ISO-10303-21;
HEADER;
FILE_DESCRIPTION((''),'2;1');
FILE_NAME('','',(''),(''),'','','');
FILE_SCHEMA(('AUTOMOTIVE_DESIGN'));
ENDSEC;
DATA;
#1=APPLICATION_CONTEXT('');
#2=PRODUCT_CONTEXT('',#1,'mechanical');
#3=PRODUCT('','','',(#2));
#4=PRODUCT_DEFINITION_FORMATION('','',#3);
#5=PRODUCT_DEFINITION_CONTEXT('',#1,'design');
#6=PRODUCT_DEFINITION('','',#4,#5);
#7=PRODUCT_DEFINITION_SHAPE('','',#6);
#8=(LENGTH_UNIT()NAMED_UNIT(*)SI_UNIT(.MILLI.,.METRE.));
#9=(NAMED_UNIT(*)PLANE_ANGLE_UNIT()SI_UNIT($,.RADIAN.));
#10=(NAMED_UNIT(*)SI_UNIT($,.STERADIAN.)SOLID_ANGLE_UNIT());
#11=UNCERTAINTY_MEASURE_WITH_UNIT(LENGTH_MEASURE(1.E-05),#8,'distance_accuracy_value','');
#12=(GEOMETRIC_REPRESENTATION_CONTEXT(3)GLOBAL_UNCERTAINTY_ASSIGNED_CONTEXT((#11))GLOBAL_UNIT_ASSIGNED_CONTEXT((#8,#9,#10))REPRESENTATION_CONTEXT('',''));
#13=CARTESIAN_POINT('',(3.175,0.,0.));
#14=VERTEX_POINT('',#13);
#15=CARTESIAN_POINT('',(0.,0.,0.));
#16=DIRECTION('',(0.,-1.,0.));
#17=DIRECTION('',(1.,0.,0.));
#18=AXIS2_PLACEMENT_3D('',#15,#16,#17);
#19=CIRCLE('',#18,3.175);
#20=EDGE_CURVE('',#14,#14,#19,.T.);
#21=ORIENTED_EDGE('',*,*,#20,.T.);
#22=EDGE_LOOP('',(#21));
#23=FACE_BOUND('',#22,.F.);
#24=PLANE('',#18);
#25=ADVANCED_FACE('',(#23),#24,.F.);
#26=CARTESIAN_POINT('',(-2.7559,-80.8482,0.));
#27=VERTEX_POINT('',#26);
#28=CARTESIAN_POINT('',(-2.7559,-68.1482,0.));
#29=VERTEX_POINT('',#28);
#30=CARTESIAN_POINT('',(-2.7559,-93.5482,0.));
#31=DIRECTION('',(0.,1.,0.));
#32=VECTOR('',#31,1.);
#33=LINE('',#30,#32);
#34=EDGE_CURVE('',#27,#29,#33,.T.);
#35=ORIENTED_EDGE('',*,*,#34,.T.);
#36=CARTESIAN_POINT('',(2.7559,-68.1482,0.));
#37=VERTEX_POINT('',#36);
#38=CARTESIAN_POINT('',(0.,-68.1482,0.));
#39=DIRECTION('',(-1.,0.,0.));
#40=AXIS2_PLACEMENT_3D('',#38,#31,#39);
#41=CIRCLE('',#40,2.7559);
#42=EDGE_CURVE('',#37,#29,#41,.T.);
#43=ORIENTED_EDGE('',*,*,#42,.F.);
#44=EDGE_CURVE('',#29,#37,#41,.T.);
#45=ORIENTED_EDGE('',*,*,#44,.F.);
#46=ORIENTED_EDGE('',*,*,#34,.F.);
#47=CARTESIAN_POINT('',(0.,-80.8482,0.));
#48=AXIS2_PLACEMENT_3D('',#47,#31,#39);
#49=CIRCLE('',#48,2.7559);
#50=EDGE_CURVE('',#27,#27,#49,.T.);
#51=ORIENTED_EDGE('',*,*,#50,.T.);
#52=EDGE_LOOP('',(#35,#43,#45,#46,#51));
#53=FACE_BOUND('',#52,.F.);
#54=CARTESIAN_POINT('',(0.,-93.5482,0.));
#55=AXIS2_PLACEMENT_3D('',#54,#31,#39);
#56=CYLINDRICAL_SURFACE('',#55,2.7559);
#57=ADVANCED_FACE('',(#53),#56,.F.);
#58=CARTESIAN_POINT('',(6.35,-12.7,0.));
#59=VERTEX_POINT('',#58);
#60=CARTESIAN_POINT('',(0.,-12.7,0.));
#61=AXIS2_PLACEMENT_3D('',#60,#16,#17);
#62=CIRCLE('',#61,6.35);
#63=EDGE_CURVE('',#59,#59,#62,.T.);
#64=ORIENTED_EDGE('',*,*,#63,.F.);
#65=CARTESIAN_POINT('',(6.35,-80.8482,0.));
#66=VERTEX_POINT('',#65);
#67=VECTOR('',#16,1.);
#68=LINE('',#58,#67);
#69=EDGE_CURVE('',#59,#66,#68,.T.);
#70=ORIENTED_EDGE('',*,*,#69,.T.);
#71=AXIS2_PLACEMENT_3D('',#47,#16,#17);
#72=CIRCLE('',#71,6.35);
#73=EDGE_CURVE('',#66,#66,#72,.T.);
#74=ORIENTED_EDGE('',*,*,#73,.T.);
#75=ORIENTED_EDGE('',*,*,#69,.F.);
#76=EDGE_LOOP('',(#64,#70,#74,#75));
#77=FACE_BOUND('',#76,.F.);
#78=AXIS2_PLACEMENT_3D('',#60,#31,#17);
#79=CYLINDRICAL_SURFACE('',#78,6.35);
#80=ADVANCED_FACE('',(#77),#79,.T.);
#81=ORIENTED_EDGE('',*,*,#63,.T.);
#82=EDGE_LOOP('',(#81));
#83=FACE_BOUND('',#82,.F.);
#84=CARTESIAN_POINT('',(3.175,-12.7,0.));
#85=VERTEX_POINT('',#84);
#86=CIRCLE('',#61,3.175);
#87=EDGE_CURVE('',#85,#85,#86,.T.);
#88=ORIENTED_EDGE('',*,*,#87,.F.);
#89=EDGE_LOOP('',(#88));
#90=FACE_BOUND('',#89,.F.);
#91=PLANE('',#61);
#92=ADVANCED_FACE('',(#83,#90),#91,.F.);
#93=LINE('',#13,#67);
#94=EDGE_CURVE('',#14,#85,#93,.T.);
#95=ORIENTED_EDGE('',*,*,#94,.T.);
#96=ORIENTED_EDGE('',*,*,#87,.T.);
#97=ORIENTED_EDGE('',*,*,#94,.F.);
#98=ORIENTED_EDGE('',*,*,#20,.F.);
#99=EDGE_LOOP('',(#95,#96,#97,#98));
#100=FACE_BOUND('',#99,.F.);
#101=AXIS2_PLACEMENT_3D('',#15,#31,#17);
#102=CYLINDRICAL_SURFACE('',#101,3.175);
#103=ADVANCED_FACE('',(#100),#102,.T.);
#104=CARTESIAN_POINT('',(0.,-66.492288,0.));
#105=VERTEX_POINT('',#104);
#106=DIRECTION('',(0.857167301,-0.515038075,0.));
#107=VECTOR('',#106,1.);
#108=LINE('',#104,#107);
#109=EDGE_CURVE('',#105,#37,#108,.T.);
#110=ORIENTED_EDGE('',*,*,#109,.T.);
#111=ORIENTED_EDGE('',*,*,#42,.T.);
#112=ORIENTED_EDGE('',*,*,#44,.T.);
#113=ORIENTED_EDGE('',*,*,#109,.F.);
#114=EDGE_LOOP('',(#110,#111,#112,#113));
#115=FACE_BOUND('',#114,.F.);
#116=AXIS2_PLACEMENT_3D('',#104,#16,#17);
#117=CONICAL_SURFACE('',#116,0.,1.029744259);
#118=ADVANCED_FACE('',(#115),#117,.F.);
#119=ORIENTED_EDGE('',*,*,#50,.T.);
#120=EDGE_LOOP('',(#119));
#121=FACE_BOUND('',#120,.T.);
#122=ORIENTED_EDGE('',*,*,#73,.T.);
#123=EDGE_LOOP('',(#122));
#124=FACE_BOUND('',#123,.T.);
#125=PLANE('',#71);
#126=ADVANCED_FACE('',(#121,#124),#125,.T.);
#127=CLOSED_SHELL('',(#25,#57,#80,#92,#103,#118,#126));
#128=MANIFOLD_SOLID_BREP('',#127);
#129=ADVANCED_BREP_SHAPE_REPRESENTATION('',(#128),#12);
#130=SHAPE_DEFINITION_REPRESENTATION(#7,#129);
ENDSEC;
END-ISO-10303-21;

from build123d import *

# Parameters (mm, degrees)
F0_R     = 3.175
F1_DEPTH = 12.7
F2_R     = 6.35
F3_DEPTH = 68.1482
F5_D     = 5.5118
F5_DEPTH = 12.7
F5_TIP   = 1.65591178


with BuildPart() as f1:
    # F0 (on Front) → F1 (new body)
    with BuildSketch(Plane.XZ):
        Circle(F0_R)
    extrude(amount=F1_DEPTH)

    # F2 (on face) → F3 (join)
    with BuildSketch(Plane.XZ.offset(12.7)):
        Circle(F2_R)
    extrude(amount=F3_DEPTH)

    # F5
    with Locations(Plane.XZ.offset(80.8482)):
        with Locations((0, 0)):
            Hole(F5_D / 2, depth=F5_DEPTH)
            with Locations((0, 0, -(F5_DEPTH + F5_TIP / 2))):  # 118° drill point
                Cone(0, F5_D / 2, F5_TIP, mode=Mode.SUBTRACT)


solid = f1.part
